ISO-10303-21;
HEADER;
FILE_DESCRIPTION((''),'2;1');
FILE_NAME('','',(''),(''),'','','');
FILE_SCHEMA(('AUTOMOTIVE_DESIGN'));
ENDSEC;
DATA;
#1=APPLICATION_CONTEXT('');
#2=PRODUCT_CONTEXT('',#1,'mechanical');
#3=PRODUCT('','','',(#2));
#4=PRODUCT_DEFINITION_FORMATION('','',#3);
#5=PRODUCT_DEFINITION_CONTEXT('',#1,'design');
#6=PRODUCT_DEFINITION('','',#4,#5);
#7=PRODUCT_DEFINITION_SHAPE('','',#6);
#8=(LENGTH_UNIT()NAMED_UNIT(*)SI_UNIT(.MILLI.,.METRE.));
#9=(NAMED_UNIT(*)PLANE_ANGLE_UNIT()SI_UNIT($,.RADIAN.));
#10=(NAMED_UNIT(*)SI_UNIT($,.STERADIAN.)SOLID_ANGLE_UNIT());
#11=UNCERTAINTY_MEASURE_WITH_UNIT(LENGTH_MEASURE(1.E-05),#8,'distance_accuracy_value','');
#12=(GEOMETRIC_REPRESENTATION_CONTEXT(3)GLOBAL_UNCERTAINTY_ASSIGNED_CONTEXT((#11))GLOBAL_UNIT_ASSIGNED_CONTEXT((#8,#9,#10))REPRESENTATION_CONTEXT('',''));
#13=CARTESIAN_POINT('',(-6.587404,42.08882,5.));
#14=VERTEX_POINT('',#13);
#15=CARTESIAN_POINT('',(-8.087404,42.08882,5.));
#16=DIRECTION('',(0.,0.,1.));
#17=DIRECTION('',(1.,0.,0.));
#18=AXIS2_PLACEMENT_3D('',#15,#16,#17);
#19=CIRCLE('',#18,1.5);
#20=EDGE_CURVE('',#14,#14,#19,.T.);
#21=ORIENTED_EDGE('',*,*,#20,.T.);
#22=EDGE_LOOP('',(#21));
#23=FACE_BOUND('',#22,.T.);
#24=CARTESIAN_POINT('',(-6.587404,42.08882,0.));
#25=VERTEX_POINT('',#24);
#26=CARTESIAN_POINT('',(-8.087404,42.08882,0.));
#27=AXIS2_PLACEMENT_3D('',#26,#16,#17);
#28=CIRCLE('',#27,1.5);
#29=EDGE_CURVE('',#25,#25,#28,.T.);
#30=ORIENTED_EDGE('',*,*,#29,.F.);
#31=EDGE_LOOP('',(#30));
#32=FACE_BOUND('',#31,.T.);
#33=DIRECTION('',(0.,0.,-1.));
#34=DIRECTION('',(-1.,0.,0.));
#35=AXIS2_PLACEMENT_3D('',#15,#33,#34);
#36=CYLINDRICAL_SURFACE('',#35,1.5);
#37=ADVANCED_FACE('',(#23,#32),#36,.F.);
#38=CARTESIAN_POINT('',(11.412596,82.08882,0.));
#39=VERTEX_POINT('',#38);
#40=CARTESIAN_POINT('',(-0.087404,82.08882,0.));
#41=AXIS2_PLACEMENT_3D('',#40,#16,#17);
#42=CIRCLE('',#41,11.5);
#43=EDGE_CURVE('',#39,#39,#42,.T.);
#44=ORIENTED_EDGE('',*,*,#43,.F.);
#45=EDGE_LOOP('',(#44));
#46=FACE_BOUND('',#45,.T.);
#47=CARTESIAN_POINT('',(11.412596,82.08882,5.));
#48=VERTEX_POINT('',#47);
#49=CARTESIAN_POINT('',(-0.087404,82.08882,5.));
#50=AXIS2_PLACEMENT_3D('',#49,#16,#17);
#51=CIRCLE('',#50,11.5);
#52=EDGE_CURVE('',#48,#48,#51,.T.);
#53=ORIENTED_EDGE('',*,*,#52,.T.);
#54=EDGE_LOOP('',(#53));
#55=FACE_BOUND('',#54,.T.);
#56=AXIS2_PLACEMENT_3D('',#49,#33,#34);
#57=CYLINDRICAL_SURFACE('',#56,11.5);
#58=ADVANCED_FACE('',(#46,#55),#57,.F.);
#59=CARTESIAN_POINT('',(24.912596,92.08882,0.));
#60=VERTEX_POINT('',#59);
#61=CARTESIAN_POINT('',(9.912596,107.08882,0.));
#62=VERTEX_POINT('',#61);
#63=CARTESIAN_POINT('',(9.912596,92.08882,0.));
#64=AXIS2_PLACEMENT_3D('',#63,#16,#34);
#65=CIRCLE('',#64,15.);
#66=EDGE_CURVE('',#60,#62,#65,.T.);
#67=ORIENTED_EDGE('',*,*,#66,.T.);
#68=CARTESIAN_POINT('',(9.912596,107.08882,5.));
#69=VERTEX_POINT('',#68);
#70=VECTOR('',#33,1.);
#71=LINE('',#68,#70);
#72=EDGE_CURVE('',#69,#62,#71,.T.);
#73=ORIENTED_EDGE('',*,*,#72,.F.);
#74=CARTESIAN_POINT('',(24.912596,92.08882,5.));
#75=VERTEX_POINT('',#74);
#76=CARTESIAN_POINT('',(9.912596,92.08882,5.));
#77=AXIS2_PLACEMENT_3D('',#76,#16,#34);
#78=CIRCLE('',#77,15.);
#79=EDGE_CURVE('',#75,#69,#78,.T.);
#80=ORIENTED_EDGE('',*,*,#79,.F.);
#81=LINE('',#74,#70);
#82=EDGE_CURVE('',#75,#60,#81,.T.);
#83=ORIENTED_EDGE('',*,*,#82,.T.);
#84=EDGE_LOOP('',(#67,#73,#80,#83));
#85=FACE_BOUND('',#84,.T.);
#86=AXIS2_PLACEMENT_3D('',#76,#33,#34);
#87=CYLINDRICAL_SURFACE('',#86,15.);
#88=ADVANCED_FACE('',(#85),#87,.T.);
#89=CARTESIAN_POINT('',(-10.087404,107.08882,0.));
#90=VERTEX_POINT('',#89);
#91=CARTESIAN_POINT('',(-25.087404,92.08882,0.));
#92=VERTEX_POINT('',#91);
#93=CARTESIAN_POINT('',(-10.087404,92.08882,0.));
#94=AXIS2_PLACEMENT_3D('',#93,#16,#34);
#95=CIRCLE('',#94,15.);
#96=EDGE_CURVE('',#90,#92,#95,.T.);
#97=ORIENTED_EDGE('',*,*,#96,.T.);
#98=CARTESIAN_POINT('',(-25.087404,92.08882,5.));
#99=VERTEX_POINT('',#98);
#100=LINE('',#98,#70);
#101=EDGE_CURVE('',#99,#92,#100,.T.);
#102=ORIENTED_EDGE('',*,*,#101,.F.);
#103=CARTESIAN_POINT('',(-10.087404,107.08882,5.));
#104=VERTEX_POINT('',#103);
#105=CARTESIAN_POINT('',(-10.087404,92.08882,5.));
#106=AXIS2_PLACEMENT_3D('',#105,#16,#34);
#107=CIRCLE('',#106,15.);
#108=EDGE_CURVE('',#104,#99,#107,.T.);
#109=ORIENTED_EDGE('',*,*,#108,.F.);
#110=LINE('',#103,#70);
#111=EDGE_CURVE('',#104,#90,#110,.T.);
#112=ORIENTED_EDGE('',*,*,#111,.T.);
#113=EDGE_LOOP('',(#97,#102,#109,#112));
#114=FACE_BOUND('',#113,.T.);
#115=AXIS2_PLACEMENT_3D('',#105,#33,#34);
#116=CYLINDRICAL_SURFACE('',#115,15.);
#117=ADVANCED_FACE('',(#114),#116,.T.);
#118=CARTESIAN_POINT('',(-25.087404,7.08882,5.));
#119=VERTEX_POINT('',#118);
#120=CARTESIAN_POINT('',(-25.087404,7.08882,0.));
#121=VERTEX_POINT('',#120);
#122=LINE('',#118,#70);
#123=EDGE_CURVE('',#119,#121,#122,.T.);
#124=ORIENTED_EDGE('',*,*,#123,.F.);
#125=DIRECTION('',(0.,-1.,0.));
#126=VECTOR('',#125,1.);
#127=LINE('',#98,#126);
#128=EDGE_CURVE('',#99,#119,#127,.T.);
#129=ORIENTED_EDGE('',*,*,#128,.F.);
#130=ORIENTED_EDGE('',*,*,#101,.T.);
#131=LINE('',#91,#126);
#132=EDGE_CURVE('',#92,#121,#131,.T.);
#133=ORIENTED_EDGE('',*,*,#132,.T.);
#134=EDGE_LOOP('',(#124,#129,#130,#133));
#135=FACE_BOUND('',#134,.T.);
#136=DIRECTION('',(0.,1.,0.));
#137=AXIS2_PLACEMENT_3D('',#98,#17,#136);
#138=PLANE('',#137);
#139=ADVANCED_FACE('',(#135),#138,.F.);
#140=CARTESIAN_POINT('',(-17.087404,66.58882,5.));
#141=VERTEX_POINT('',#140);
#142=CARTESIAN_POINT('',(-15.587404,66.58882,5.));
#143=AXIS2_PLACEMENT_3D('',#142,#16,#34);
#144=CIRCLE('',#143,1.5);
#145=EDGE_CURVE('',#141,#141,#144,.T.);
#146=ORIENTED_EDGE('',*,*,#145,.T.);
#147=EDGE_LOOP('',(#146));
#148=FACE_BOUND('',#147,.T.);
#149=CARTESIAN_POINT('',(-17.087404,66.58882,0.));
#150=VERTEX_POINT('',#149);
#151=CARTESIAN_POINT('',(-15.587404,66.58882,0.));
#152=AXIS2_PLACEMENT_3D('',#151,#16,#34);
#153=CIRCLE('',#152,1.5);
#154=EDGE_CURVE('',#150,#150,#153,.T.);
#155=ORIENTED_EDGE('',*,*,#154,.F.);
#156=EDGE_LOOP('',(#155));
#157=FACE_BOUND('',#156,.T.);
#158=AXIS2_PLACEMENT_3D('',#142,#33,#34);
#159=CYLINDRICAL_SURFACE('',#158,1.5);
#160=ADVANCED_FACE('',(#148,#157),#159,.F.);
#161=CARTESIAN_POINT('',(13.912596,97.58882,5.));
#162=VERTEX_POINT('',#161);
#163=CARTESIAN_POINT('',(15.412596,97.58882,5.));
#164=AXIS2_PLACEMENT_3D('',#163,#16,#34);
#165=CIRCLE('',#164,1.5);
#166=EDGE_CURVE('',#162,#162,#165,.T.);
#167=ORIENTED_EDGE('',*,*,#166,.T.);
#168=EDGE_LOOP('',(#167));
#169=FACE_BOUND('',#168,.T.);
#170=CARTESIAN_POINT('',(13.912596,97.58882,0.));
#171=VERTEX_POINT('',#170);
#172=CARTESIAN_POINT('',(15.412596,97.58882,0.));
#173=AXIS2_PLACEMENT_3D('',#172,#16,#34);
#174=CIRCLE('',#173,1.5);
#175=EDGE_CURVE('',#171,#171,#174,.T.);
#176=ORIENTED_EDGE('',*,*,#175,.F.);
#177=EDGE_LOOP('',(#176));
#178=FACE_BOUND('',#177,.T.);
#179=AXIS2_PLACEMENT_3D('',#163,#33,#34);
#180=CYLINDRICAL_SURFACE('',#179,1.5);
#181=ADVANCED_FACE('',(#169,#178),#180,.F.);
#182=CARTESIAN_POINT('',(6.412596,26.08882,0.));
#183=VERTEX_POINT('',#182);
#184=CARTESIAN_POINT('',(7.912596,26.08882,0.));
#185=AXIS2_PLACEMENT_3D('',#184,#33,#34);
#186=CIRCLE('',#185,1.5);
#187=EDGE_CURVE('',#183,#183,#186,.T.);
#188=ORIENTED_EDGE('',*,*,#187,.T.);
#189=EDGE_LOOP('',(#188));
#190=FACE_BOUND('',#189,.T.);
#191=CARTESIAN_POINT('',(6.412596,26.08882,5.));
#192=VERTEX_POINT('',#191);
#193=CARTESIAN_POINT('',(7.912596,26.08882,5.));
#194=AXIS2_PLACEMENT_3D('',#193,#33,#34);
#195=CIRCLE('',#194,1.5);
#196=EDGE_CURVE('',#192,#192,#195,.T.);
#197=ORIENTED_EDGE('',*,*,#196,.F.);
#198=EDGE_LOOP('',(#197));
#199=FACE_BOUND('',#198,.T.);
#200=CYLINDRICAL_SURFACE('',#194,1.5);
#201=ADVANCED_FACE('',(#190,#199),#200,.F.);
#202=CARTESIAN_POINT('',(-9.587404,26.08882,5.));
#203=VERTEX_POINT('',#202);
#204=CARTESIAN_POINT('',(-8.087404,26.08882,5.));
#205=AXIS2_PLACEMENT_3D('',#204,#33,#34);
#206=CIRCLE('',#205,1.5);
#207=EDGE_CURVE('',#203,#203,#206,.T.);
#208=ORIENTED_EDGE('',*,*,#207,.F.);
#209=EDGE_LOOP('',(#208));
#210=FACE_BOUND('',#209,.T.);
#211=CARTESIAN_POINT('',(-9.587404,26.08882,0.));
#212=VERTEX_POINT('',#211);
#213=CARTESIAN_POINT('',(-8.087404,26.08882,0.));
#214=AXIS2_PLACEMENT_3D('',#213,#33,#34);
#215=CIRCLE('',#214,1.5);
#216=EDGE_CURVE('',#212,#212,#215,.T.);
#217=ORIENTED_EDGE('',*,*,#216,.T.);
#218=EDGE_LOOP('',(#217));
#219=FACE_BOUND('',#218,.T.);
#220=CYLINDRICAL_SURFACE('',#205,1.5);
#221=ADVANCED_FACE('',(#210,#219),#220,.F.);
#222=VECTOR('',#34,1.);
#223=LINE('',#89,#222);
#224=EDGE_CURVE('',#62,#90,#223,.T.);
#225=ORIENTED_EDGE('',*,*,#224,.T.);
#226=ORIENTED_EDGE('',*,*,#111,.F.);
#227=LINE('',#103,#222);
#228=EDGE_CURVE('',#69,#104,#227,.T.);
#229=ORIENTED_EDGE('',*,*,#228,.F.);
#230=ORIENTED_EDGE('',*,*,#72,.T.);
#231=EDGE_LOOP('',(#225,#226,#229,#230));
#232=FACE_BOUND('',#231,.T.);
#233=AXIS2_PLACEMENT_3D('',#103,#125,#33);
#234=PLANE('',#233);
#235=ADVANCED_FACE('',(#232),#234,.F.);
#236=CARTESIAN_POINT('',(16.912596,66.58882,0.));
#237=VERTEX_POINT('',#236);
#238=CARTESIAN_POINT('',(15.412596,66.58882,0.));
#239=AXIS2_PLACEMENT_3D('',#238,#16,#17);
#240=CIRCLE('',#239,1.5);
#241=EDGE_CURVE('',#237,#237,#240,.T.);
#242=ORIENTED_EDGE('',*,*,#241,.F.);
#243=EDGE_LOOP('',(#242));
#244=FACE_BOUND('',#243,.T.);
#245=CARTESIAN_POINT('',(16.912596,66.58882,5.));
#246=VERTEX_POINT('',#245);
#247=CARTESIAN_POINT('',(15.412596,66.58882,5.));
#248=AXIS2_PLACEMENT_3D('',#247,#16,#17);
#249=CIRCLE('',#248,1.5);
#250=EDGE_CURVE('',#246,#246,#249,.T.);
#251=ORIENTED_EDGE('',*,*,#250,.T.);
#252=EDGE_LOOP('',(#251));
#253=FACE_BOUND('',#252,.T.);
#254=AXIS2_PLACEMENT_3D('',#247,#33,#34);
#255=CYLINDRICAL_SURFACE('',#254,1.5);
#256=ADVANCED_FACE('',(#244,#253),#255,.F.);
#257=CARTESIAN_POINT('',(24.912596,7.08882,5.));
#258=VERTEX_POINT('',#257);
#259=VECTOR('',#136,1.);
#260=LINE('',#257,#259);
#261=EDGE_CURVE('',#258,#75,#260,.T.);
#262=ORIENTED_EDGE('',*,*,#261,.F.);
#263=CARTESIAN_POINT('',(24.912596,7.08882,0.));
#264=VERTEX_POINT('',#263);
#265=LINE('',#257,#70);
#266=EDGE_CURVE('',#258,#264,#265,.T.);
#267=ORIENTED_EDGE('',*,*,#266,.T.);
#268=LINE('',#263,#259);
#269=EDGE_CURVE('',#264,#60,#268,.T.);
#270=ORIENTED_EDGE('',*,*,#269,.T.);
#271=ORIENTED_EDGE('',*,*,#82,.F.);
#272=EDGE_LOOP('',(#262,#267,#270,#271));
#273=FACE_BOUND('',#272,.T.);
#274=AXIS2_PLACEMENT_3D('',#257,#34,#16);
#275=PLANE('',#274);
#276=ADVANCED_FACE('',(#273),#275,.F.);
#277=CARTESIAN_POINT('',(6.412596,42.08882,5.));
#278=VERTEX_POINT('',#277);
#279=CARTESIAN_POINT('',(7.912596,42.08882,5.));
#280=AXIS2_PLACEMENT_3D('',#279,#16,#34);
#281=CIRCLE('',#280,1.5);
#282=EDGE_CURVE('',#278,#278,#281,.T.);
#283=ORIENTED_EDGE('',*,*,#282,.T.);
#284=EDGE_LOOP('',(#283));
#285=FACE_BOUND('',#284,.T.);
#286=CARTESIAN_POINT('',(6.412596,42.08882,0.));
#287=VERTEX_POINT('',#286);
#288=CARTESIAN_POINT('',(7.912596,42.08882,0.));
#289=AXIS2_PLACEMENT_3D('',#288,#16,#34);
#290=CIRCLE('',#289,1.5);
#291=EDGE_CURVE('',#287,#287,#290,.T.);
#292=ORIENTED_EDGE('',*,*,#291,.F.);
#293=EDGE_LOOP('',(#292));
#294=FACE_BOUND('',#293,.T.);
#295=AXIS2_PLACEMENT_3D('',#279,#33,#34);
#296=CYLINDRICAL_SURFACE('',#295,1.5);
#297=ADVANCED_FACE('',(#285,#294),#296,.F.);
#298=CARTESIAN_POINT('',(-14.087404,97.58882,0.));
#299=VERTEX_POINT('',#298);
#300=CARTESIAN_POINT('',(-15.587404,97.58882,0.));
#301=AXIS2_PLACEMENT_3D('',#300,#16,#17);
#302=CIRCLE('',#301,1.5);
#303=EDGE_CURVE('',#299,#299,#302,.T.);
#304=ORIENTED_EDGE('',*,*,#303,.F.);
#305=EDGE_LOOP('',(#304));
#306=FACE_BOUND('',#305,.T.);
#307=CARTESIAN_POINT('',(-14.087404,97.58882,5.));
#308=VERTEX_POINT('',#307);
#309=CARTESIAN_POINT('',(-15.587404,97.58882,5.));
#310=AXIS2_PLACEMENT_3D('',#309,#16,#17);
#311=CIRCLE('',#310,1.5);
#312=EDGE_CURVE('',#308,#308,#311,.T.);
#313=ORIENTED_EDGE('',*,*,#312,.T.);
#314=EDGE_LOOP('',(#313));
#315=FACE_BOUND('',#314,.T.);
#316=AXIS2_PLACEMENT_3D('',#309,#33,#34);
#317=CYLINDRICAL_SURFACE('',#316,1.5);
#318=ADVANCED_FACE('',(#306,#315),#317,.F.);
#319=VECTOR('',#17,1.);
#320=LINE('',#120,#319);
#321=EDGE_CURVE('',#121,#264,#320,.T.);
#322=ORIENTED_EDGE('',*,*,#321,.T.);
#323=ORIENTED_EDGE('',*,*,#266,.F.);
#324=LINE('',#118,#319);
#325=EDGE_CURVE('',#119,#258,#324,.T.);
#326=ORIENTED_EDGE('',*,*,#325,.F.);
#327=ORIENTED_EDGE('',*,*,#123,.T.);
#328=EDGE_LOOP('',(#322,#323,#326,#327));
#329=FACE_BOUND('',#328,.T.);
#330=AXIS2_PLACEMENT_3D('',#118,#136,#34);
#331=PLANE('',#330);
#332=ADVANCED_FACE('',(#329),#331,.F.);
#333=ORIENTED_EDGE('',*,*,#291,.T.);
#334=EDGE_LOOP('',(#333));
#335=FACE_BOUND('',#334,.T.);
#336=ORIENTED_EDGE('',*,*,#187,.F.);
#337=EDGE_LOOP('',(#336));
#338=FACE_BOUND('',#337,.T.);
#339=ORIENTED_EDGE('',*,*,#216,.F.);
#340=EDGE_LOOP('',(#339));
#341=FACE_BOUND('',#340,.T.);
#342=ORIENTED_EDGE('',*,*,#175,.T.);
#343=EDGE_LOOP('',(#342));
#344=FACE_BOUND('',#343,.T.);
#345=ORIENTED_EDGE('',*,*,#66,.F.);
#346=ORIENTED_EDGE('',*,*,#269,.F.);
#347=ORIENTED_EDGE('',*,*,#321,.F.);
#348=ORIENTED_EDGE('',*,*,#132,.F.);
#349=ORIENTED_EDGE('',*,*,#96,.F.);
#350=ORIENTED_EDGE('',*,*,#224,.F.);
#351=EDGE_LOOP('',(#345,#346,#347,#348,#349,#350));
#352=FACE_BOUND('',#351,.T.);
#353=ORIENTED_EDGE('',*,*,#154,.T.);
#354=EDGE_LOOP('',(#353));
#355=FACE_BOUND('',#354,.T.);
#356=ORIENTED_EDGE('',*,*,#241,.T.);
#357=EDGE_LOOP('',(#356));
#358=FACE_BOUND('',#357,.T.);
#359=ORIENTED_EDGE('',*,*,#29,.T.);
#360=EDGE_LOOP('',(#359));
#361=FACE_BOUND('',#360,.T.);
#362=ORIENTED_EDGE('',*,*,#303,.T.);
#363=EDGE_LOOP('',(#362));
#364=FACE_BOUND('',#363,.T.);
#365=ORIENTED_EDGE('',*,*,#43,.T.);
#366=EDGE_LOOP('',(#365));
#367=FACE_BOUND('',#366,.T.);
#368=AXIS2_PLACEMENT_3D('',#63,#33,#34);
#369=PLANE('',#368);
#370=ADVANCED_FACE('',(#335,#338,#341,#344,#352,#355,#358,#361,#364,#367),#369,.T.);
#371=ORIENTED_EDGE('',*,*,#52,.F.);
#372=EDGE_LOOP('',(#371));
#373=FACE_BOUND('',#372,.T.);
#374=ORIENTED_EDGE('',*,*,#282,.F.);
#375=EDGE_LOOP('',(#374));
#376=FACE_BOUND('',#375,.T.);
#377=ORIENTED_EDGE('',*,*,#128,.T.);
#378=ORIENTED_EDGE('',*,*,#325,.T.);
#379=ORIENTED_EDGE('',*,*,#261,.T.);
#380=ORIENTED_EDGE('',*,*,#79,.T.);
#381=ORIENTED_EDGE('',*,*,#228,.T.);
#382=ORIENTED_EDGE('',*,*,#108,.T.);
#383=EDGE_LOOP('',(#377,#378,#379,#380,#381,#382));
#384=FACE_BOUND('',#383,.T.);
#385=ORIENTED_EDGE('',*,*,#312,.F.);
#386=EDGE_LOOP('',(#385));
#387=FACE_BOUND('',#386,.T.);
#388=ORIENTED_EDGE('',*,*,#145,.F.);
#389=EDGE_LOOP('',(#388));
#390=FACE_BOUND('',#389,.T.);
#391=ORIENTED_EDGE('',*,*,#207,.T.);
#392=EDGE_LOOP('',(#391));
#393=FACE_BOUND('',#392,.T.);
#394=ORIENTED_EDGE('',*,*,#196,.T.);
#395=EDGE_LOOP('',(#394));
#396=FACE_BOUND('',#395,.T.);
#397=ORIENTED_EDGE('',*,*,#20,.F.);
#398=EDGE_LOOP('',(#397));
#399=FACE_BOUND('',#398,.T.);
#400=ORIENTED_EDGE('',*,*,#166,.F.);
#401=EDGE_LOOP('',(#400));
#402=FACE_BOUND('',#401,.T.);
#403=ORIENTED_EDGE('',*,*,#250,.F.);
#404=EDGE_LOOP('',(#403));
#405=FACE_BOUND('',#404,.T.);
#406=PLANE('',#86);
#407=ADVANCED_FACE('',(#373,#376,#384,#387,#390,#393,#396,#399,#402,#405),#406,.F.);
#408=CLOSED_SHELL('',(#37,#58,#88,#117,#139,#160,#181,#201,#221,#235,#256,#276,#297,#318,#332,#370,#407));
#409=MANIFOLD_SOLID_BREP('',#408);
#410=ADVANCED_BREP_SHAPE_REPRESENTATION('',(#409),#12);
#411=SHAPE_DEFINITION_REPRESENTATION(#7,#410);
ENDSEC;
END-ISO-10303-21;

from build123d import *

# Parameters (mm, degrees)
SKETCH4_R           = 11.5
SKETCH4_R_2         = 1.5
BOSS_EXTRUDE1_DEPTH = 5
SKETCH5_R           = 1.5
CUT_EXTRUDE1_DEPTH  = 111.101739948


with BuildPart() as part:
    # Sketch4 → Boss-Extrude1 (new body)
    with BuildSketch(Plane.XY):
        with BuildLine():
            Line((-10.087403903, 107.088819702), (9.912596097, 107.088819702))
            ThreePointArc((9.912596097, 107.088819702), (20.519197815, 102.695421419), (24.912596097, 92.088819702))
            Line((24.912596097, 92.088819702), (24.912596097, 7.088819702))
            Line((24.912596097, 7.088819702), (-25.087403903, 7.088819702))
            Line((-25.087403903, 7.088819702), (-25.087403903, 92.088819702))
            ThreePointArc((-25.087403903, 92.088819702), (-20.694005621, 102.695421419), (-10.087403903, 107.088819702))
        make_face()
        with Locations((-0.087403903, 82.088819702)):
            Circle(SKETCH4_R, mode=Mode.SUBTRACT)
        with Locations((15.412596097, 66.588819702)):
            Circle(SKETCH4_R_2, mode=Mode.SUBTRACT)
        with Locations(Location((-15.587403903, 66.588819702, 0), (0, 0, 180))):
            Circle(SKETCH4_R_2, mode=Mode.SUBTRACT)
        with Locations(Location((15.412596097, 97.588819702, 0), (0, 0, 180))):
            Circle(SKETCH4_R_2, mode=Mode.SUBTRACT)
        with Locations((-15.587403903, 97.588819702)):
            Circle(SKETCH4_R_2, mode=Mode.SUBTRACT)
        with Locations((-8.087403903, 42.088819702)):
            Circle(SKETCH4_R_2, mode=Mode.SUBTRACT)
        with Locations(Location((7.912596097, 42.088819702, 0), (0, 0, 180))):
            Circle(SKETCH4_R_2, mode=Mode.SUBTRACT)
    extrude(amount=BOSS_EXTRUDE1_DEPTH)

    # Sketch5 → Cut-Extrude1 (cut, through all)
    with BuildSketch(Plane(origin=(0, 0, 0), x_dir=(-1, 0, 0), z_dir=(0, 0, -1))):
        with Locations((8.087403903, 26.088819702)):
            Circle(SKETCH5_R)
        with Locations((-7.912596097, 26.088819702)):
            Circle(SKETCH5_R)
    extrude(amount=-CUT_EXTRUDE1_DEPTH, mode=Mode.SUBTRACT)


solid = part.part
